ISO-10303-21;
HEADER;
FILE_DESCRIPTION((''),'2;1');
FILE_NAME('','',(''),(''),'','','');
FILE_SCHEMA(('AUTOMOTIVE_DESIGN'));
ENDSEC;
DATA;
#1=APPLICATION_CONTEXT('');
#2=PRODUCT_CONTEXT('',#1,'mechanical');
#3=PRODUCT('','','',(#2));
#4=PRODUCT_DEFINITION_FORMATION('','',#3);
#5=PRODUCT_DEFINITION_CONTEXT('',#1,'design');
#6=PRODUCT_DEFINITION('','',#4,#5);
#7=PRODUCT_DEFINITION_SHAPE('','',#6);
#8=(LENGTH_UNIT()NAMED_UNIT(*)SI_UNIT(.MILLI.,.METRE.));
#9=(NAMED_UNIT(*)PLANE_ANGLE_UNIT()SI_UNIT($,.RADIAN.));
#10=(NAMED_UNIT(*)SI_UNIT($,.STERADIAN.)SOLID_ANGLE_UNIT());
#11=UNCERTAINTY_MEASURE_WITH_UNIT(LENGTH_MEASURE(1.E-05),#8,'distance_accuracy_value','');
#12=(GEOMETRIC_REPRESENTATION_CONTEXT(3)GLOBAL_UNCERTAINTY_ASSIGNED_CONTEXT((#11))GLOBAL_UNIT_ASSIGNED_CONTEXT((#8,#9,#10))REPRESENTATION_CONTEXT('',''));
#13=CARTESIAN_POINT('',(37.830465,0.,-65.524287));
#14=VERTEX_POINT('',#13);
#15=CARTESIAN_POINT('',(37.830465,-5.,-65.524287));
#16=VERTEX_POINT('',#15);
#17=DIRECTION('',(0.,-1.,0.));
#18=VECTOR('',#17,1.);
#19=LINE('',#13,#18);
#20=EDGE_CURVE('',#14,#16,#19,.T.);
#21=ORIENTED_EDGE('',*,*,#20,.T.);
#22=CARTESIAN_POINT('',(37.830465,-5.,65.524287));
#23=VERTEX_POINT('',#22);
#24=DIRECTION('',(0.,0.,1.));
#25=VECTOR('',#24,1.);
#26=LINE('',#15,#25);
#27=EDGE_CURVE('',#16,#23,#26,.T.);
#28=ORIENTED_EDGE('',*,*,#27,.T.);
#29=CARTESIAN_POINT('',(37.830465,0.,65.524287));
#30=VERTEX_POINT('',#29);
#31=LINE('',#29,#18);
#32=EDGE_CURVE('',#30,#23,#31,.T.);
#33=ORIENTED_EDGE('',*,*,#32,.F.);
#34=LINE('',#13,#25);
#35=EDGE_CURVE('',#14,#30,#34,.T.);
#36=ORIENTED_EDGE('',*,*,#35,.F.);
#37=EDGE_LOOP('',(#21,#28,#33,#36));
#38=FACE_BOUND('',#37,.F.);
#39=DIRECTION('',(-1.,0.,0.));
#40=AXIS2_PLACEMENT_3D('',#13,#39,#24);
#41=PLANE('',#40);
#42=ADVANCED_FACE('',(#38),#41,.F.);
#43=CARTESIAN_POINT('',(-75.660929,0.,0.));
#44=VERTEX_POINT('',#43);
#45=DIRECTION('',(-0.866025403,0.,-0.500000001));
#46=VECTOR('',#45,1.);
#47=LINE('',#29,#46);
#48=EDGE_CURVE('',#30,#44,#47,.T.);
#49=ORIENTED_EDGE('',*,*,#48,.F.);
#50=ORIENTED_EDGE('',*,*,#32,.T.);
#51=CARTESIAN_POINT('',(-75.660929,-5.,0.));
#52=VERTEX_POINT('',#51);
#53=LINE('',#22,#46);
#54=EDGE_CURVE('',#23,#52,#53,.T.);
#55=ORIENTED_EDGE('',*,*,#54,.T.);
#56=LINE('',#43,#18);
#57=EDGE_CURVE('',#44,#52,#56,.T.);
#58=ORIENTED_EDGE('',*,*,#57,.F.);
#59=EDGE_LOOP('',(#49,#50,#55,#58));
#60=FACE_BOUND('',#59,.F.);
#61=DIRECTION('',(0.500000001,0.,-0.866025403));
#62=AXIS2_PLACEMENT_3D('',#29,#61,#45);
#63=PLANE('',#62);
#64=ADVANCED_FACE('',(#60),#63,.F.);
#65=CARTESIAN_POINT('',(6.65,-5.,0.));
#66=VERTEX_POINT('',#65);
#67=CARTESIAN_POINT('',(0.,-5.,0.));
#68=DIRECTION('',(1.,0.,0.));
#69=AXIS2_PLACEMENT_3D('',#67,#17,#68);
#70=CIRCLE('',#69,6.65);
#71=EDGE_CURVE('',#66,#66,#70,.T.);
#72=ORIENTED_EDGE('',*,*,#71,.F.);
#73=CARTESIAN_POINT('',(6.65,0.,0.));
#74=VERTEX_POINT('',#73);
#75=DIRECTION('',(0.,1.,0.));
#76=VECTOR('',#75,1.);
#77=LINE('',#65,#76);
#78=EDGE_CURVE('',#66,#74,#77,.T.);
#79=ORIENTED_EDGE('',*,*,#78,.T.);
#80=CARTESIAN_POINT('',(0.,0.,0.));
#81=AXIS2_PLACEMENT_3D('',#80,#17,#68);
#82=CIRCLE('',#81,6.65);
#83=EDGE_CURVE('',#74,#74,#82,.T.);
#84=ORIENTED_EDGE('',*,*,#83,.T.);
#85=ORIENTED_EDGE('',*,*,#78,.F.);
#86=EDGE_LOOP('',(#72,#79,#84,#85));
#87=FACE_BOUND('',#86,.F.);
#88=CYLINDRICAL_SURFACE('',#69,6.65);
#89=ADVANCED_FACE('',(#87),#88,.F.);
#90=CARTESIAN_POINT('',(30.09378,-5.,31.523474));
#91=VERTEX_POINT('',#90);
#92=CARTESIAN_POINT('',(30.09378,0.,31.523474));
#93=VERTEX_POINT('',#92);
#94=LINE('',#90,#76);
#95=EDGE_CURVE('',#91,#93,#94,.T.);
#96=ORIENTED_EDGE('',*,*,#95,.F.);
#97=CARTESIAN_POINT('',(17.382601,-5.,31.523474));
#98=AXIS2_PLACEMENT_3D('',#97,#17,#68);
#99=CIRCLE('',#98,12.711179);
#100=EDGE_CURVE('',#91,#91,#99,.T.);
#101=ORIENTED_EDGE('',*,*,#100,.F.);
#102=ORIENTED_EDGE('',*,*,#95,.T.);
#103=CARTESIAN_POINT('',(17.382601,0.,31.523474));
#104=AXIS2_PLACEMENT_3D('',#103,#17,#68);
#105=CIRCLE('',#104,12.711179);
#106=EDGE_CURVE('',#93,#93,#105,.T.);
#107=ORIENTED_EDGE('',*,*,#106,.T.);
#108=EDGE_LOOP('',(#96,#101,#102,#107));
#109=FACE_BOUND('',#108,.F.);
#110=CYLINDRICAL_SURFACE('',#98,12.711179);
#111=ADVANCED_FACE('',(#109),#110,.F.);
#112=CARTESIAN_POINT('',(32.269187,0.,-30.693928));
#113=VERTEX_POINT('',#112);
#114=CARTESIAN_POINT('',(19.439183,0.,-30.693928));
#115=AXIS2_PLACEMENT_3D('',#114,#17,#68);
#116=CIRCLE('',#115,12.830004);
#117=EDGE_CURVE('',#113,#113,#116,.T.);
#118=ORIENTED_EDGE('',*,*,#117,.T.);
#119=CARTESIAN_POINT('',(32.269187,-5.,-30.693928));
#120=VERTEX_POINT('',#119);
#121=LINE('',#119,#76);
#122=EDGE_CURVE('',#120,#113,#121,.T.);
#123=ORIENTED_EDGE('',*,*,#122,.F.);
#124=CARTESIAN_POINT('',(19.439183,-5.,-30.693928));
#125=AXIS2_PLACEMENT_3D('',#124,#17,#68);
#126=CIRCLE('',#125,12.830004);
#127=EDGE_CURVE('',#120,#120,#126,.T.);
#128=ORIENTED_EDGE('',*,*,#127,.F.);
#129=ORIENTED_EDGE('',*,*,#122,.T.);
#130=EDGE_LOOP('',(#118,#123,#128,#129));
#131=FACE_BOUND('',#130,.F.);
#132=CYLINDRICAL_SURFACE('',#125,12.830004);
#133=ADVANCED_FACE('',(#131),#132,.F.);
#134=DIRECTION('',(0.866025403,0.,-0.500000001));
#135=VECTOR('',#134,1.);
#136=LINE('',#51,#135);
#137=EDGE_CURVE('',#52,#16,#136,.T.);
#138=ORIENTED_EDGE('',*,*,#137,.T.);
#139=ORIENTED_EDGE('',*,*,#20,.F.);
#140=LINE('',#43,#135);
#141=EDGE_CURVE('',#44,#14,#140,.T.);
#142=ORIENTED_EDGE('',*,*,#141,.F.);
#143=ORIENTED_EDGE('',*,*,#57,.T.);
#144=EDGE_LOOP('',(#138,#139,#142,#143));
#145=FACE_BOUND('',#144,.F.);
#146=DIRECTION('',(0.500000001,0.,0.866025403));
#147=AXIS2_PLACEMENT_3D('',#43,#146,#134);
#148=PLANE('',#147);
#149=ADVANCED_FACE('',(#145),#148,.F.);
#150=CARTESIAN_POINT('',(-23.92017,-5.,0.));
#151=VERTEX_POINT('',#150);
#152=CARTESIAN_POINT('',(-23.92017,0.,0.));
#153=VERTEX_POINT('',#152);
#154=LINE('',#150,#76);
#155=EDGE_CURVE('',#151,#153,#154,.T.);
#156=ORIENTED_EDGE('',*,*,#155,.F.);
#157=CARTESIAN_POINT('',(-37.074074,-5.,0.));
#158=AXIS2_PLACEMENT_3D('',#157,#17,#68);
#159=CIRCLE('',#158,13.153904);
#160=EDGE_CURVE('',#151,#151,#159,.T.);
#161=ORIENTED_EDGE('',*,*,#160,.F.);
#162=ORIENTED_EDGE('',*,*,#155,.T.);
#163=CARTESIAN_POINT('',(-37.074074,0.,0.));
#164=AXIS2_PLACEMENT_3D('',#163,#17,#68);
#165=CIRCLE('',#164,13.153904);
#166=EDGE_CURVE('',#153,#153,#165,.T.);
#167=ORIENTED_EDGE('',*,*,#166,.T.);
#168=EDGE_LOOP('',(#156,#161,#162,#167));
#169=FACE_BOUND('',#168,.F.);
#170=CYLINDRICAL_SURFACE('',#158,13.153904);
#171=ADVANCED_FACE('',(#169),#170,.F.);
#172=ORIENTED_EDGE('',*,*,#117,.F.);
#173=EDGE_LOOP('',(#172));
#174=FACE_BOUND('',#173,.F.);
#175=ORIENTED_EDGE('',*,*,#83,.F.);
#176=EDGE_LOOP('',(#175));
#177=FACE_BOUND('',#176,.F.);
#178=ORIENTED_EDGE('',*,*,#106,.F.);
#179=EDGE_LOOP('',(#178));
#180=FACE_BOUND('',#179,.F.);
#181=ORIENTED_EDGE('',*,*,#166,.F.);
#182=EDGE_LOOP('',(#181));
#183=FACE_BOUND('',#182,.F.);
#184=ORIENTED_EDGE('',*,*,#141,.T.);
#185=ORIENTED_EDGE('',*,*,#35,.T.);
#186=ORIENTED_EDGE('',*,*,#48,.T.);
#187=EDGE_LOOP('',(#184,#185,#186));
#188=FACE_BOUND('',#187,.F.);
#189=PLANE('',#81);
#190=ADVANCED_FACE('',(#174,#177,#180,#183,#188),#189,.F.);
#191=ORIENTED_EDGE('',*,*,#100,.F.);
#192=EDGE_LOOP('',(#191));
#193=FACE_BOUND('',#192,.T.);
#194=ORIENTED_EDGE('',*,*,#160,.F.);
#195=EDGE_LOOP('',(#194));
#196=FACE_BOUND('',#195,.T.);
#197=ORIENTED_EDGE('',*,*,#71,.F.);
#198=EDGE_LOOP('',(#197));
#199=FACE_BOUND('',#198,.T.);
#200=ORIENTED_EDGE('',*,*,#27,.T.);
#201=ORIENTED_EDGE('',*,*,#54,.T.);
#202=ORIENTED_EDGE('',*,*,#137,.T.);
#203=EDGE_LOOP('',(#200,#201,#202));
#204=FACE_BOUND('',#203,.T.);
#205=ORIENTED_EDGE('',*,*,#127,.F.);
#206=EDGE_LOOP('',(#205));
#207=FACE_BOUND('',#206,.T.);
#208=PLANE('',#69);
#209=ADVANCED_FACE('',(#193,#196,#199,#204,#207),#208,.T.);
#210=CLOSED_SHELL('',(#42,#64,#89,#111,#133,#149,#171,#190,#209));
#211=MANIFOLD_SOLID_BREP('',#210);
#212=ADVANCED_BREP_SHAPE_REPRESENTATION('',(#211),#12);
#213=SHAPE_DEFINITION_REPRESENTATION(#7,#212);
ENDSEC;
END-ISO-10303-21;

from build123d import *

# Parameters (mm, degrees)
F1_DEPTH  = 5
F2_R      = 13.153904
F4_DEPTH  = 51.562
F3_R      = 12.711179
F5_DEPTH  = 34.29
F6_R      = 12.830004
F7_DEPTH  = 49.276
F9_R      = 6.65
F10_DEPTH = 25.4


with BuildPart() as f1:
    # F0 (on Front) → F1 (new body)
    with BuildSketch(Plane.XZ):
        Polygon((37.830465, -65.524287), (37.830465, 65.524287), (-75.660929, 0), align=None)
    extrude(amount=F1_DEPTH)

    # F2 (on face) → F4 (cut)
    with BuildSketch(Plane.XZ.offset(5)):
        with Locations((-37.074074, 0)):
            Circle(F2_R)
    extrude(amount=-F4_DEPTH, mode=Mode.SUBTRACT)

    # F3 (on face) → F5 (cut)
    with BuildSketch(Plane.XZ.offset(5)):
        with Locations((17.382601, 31.523474)):
            Circle(F3_R)
    extrude(amount=-F5_DEPTH, mode=Mode.SUBTRACT)

    # F6 (on face) → F7 (cut)
    with BuildSketch(Plane.XZ.offset(5)):
        with Locations((19.439183, -30.693928)):
            Circle(F6_R)
    extrude(amount=-F7_DEPTH, mode=Mode.SUBTRACT)

    # F9 (on face) → F10 (cut)
    with BuildSketch(Plane.XZ.offset(5)):
        Circle(F9_R)
    extrude(amount=-F10_DEPTH, mode=Mode.SUBTRACT)


solid = f1.part
